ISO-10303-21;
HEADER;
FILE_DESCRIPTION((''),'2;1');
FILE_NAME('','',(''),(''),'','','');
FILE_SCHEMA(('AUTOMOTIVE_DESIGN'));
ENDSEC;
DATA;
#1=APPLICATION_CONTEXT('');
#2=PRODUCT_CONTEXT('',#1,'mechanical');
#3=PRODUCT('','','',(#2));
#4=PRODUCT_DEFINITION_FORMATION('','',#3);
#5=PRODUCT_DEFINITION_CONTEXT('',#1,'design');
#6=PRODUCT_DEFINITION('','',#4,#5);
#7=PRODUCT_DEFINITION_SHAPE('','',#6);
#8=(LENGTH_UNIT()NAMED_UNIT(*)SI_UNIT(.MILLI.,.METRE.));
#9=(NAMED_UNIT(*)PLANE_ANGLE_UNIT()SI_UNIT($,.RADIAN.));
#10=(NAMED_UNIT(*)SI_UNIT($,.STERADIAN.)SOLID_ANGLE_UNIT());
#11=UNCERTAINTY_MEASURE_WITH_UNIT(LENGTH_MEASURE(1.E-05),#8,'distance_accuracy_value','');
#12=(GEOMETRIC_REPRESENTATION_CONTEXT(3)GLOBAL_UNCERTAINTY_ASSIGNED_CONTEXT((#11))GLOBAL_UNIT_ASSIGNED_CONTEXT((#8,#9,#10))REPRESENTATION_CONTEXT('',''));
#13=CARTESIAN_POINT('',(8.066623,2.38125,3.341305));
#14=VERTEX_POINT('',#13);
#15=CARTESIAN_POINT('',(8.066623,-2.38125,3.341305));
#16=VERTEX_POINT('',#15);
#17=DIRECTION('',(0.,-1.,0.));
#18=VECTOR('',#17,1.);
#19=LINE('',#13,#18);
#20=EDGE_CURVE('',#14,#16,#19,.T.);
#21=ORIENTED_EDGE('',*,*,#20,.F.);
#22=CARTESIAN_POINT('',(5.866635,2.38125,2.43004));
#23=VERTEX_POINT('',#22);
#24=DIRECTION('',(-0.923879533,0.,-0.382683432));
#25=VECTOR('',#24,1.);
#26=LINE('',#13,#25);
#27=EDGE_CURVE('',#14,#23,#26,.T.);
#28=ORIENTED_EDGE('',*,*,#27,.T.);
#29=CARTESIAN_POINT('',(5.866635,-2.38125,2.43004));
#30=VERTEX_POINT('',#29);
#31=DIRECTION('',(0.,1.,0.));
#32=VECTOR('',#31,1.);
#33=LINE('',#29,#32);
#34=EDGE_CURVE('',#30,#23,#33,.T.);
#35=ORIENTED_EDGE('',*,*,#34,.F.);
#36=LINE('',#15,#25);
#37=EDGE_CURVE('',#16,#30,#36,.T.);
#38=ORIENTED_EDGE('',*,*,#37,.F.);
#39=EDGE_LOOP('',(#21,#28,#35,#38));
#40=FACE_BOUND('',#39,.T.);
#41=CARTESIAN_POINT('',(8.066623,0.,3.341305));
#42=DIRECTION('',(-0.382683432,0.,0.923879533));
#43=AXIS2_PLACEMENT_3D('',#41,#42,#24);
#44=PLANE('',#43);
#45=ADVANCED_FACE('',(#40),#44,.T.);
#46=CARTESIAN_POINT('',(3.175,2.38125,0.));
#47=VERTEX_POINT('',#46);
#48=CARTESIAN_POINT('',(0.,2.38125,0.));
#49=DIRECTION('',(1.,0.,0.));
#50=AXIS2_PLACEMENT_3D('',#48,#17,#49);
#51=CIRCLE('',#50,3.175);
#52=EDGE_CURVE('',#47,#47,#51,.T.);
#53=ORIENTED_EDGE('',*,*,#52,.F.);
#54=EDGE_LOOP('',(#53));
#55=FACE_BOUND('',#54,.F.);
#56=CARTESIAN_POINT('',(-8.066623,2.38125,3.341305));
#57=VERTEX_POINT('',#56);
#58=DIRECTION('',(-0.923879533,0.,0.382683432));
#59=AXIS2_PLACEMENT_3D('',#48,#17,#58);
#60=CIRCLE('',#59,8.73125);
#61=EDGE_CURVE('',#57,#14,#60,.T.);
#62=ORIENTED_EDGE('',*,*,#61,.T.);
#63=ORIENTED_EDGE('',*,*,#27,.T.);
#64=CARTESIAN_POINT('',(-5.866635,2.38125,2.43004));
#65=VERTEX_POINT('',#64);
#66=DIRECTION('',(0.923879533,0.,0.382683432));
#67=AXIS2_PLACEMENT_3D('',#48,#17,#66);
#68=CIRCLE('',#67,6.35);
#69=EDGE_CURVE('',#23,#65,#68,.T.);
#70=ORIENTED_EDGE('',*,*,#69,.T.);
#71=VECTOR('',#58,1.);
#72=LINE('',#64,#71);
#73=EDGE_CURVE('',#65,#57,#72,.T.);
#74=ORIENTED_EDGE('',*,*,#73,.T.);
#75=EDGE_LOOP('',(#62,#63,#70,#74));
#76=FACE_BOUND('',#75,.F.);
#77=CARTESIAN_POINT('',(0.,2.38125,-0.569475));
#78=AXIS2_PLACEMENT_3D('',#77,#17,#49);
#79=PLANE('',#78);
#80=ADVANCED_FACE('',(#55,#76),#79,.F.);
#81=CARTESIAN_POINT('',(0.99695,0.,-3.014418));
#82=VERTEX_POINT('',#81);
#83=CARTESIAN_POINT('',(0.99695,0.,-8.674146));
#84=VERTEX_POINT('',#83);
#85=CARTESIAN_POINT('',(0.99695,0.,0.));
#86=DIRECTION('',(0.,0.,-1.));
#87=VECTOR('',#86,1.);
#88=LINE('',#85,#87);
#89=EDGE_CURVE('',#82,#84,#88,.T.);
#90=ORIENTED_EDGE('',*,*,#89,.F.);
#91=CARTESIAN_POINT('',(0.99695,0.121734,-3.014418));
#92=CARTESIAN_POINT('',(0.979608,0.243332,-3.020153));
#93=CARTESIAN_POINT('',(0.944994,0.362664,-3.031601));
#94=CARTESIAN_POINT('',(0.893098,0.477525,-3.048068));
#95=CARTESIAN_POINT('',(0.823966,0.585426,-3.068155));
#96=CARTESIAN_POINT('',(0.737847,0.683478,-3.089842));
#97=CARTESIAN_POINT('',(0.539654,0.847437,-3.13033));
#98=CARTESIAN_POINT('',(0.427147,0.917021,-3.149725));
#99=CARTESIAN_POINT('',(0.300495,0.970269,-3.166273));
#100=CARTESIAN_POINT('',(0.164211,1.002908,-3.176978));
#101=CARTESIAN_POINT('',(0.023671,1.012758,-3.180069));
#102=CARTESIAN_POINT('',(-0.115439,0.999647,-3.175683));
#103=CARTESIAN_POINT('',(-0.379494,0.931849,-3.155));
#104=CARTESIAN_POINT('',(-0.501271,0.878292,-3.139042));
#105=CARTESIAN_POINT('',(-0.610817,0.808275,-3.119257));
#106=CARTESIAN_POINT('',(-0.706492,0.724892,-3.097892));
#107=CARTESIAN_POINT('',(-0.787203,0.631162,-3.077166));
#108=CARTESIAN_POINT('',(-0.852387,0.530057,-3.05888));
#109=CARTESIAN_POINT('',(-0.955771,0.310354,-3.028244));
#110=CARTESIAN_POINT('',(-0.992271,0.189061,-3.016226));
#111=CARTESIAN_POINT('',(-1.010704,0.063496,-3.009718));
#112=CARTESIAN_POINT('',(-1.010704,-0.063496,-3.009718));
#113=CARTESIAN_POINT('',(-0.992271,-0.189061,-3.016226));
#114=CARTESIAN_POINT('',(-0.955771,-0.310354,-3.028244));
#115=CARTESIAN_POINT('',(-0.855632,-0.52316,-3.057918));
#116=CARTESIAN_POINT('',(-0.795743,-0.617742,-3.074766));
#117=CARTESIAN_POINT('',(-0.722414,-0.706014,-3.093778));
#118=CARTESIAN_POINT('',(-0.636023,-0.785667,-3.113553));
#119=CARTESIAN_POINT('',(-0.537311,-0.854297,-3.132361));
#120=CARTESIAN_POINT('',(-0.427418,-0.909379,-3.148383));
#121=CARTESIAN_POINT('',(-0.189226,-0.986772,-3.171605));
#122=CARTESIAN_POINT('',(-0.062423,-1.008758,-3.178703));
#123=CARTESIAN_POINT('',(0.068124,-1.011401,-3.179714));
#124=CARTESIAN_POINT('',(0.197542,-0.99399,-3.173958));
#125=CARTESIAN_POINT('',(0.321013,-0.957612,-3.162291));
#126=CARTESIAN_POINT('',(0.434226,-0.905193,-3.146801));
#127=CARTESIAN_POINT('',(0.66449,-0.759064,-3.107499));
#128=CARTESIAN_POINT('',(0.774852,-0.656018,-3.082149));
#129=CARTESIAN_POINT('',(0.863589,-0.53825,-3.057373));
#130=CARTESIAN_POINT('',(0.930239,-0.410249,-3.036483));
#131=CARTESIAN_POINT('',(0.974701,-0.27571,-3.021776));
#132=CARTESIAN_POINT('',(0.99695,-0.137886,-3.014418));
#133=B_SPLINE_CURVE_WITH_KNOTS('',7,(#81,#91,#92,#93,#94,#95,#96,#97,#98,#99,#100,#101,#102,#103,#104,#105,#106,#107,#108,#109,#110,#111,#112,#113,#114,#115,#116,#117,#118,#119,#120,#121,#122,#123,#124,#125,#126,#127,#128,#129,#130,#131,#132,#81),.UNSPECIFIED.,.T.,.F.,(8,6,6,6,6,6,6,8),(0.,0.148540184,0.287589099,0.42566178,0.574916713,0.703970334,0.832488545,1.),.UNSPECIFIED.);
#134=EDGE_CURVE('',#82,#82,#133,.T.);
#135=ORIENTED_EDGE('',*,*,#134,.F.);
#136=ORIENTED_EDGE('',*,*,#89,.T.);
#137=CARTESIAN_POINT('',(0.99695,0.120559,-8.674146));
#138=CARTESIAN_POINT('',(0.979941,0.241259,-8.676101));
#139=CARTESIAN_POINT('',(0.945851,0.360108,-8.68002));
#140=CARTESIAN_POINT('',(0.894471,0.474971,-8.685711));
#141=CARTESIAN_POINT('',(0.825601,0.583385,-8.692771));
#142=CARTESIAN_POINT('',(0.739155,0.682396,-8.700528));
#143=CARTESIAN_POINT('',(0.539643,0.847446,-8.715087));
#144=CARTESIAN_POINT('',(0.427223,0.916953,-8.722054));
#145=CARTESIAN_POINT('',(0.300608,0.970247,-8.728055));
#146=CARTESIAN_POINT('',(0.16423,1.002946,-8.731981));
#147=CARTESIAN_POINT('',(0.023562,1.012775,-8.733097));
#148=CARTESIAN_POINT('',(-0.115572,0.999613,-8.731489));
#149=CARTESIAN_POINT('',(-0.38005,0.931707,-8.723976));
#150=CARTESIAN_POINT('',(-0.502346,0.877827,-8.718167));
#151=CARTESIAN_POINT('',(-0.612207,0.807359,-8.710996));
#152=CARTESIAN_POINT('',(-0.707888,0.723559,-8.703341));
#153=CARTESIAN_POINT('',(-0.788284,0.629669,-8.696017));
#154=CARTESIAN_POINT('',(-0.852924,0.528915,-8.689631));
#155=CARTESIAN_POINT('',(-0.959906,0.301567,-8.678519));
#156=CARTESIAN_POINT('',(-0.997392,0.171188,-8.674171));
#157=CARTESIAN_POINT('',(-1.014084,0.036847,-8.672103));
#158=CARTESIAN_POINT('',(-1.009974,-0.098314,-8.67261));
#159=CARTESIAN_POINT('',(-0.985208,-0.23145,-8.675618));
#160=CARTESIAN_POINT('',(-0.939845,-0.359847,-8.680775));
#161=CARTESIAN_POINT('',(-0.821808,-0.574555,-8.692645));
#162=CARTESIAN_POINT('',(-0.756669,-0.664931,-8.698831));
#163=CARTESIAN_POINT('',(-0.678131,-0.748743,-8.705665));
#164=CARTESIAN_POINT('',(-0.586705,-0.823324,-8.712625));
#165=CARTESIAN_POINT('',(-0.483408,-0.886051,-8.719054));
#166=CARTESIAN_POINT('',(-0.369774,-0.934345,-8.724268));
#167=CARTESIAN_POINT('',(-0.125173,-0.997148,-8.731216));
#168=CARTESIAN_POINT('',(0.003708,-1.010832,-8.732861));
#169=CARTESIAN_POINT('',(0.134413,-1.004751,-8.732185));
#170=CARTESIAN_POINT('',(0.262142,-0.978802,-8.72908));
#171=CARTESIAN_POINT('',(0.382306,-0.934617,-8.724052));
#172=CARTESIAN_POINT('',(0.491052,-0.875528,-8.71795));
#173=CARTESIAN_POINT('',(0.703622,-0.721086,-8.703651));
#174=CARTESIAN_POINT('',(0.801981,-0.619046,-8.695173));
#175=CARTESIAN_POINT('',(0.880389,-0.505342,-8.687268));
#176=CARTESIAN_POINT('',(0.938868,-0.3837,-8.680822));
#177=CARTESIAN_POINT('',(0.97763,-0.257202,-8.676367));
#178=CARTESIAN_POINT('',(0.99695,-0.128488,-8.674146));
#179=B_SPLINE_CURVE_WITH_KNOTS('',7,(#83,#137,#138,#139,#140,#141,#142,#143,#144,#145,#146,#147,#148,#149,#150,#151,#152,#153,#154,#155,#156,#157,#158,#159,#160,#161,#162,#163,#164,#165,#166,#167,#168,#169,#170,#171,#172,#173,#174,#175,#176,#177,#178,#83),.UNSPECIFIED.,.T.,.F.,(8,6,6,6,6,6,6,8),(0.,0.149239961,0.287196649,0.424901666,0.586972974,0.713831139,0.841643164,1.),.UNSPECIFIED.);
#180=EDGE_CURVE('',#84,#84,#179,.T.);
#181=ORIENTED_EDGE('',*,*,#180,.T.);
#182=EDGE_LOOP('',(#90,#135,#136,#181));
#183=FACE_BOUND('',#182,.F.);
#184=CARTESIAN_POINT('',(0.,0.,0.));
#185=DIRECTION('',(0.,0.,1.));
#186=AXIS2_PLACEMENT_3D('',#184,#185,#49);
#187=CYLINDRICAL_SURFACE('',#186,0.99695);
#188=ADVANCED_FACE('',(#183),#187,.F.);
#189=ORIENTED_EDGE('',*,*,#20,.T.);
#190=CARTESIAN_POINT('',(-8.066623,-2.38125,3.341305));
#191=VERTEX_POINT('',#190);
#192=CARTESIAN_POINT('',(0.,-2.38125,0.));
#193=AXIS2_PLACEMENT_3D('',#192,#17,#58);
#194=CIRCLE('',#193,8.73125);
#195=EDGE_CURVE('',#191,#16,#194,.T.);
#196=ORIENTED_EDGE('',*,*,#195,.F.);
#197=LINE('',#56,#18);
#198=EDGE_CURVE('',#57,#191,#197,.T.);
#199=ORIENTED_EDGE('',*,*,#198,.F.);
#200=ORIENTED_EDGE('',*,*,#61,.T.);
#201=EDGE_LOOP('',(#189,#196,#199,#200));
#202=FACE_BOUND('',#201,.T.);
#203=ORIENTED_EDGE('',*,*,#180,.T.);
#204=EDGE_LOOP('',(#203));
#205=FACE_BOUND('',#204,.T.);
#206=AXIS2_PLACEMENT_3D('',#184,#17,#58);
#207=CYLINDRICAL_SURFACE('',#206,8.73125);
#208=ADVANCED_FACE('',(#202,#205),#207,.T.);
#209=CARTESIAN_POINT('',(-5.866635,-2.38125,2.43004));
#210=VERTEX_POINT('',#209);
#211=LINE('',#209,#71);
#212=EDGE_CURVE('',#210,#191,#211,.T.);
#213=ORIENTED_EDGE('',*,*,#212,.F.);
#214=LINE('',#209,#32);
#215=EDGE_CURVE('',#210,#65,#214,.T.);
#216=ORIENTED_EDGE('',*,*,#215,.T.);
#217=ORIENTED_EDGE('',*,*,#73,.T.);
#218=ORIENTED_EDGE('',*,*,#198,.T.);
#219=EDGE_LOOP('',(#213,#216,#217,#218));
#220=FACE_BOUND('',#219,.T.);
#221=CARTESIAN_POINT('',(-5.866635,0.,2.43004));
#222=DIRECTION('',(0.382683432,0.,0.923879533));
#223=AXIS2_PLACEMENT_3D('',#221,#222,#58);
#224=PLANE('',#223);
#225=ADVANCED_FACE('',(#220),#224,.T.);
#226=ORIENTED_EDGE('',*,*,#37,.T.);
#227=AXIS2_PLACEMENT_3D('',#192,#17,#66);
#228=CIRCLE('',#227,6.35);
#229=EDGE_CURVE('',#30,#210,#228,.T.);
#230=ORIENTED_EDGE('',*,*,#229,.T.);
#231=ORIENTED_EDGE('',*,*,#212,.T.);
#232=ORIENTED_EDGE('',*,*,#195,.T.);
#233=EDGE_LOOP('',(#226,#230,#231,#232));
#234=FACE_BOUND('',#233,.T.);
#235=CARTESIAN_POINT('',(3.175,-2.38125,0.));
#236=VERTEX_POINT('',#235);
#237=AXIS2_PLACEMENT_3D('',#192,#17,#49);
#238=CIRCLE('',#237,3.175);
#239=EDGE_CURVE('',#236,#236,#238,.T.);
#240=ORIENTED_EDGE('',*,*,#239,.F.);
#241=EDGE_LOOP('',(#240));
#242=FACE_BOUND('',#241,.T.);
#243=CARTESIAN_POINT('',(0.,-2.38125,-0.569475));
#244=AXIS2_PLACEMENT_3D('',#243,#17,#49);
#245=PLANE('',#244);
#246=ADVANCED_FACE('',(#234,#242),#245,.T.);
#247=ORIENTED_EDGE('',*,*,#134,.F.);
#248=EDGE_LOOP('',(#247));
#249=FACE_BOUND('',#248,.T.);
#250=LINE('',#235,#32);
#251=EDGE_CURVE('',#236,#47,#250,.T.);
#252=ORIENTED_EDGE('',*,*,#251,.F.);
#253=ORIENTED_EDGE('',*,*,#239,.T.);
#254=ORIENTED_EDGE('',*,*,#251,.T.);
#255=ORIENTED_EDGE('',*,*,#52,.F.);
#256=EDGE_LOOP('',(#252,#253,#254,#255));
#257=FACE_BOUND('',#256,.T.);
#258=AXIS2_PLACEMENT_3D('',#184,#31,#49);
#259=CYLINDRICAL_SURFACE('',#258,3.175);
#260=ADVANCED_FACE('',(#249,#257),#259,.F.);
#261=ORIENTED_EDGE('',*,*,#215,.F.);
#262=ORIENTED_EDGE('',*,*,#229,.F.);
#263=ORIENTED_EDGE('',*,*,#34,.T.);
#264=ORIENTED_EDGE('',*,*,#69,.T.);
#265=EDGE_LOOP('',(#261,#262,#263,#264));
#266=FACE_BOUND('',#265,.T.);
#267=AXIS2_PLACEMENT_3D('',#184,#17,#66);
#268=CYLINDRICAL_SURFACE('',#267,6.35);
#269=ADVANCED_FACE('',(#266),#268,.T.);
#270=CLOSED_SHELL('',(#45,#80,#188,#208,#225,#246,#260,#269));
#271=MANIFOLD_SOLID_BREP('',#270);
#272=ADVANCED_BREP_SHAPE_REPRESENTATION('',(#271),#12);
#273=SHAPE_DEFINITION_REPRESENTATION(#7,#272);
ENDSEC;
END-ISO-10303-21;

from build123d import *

# Parameters (mm, degrees)
F0_R     = 3.175
F1_DEPTH = 2.38125
F3_D     = 1.9939
F3_DEPTH = 8.73225


with BuildPart() as f1:
    # F0 (on Front) → F1 (new body, symmetric)
    with BuildSketch(Plane.XZ):
        with BuildLine():
            Line((-5.8666350314, 2.4300397955), (-8.0666231682, 3.3413047188))
            ThreePointArc((-8.0666231682, 3.3413047188), (0, -8.73125), (8.0666231682, 3.3413047188))
            Line((8.0666231682, 3.3413047188), (5.8666350314, 2.4300397955))
            ThreePointArc((5.8666350314, 2.4300397955), (0, 6.35), (-5.8666350314, 2.4300397955))
        make_face()
        Circle(F0_R, mode=Mode.SUBTRACT)
    extrude(amount=F1_DEPTH, both=True)

    # F3 (through all, one way)
    with BuildSketch(Plane.XY):
        with Locations((0, 0)):
            Circle(F3_D / 2)
    extrude(amount=-F3_DEPTH, mode=Mode.SUBTRACT)


solid = f1.part
